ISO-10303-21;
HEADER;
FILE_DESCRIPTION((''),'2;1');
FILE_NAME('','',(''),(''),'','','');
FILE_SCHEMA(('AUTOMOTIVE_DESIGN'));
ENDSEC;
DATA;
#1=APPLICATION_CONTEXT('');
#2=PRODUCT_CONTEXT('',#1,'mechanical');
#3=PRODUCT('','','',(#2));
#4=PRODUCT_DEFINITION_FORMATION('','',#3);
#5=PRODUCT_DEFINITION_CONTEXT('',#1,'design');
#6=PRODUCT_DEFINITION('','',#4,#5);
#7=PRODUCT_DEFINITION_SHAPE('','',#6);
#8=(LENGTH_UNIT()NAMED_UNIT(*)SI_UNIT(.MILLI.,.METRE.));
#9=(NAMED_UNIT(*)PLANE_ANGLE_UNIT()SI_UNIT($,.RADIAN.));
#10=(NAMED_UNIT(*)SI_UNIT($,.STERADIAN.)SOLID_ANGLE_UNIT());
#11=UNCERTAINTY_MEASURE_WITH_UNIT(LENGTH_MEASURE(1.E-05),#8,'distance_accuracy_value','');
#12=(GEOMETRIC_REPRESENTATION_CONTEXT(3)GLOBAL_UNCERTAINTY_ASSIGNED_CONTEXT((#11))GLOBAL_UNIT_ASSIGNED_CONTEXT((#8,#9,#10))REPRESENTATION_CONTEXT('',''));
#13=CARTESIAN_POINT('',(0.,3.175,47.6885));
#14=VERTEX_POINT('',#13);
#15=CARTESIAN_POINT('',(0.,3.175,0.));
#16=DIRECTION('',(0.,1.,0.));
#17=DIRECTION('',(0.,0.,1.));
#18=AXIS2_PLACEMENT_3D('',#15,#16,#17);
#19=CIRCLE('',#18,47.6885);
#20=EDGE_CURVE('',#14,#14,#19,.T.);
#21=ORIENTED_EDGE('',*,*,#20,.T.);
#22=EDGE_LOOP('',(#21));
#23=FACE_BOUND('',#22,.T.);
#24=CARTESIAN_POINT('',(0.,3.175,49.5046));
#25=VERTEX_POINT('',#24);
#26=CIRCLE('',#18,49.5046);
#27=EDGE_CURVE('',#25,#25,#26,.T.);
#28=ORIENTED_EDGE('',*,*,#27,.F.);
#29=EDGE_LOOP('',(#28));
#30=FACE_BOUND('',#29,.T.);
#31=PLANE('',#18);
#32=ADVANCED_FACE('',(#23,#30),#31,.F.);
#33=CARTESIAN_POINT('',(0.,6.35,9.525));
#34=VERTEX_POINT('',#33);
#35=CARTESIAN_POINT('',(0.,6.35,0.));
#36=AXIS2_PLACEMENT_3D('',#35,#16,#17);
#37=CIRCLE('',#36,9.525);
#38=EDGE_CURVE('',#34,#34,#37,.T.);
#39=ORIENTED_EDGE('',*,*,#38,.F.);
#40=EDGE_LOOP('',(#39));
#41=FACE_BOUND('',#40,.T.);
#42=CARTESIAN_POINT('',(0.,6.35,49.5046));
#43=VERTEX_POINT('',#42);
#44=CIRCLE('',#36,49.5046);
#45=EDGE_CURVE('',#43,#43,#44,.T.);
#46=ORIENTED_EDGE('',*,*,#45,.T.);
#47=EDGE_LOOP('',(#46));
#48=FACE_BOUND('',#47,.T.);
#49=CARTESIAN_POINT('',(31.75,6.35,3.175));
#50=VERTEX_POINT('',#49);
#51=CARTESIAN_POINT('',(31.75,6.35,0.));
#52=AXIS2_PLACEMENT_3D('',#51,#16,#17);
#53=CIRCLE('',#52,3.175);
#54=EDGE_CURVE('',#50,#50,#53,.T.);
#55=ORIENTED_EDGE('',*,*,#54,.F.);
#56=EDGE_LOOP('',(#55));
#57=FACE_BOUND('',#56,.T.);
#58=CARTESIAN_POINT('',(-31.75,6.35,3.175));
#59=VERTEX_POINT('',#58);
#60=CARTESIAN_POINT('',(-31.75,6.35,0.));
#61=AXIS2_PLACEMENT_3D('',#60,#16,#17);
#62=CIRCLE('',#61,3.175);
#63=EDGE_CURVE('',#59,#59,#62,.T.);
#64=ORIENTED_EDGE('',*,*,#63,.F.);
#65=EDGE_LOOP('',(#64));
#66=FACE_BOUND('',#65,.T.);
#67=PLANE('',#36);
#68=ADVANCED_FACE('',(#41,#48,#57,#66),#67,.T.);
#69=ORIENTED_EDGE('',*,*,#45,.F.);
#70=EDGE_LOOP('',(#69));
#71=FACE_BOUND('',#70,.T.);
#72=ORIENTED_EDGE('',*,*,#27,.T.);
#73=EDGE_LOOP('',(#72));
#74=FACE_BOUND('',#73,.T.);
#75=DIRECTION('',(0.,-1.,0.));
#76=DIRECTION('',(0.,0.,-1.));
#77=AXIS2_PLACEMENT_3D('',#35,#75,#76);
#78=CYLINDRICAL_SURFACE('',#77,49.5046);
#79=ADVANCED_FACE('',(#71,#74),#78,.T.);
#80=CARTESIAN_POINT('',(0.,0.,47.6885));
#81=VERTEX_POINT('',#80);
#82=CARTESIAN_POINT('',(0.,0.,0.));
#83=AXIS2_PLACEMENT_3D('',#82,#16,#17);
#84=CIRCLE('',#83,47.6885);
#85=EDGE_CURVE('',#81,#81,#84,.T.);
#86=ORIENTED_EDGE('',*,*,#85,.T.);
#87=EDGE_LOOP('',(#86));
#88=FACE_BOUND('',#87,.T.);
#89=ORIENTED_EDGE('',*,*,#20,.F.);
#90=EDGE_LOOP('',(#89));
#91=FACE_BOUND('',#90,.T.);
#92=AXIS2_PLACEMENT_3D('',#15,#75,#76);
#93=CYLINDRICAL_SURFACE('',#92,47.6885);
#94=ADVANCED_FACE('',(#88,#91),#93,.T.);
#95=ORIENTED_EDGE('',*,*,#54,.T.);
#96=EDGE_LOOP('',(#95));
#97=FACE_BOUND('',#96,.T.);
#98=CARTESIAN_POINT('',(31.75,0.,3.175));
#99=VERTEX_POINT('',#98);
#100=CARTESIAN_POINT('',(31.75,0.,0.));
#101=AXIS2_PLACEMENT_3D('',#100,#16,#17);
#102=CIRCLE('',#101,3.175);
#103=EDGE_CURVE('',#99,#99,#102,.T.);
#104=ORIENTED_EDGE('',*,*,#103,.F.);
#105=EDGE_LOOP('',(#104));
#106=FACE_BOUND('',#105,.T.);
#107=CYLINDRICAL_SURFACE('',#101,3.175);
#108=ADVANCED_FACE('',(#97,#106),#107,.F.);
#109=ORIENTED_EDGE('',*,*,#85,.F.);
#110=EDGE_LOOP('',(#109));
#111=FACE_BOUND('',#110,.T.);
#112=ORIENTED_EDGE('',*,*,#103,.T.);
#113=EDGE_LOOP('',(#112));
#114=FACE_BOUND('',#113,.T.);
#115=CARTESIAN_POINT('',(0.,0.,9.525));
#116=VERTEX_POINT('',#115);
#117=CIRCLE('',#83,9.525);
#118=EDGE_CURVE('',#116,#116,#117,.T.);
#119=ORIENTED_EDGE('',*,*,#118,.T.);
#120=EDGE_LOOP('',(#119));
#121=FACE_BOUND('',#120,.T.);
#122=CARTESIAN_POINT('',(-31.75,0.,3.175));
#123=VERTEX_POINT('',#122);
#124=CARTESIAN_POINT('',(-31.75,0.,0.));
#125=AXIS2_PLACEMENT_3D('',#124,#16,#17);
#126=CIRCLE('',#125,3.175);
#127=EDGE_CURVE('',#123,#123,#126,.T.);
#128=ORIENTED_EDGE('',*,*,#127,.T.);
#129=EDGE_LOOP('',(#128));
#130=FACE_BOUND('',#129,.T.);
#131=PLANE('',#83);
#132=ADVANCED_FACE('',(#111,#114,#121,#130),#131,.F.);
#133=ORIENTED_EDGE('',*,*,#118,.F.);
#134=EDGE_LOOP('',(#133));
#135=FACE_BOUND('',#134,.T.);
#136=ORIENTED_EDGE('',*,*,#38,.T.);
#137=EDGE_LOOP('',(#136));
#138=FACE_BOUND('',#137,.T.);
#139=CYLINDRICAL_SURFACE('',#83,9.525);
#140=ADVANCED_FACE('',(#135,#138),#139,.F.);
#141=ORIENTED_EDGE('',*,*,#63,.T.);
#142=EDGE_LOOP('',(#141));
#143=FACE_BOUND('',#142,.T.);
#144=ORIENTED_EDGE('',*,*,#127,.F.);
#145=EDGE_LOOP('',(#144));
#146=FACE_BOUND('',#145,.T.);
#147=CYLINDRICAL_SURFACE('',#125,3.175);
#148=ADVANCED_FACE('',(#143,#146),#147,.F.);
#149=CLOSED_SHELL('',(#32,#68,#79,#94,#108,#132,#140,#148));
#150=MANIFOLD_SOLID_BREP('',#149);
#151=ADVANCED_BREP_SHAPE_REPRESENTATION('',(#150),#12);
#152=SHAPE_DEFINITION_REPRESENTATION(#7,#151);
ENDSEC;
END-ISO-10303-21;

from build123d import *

# Parameters (mm, degrees)
SKETCH1_R           = 47.6885
BOSS_EXTRUDE1_DEPTH = 3.175
SKETCH2_R           = 49.5046
BOSS_EXTRUDE2_DEPTH = 3.175
SKETCH3_R           = 3.175
SKETCH3_R_2         = 9.525
CUT_EXTRUDE1_DEPTH  = 7.35


with BuildPart() as part:
    # Sketch1 → Boss-Extrude1 (new body)
    with BuildSketch(Plane(origin=(0, 0, 0), x_dir=(1, 0, 0), z_dir=(0, 1, 0))):
        Circle(SKETCH1_R)
    extrude(amount=BOSS_EXTRUDE1_DEPTH)

    # Sketch2 → Boss-Extrude2 (add)
    with BuildSketch(Plane(origin=(0, 3.175, 0), x_dir=(1, 0, 0), z_dir=(0, 1, 0))):
        Circle(SKETCH2_R)
    extrude(amount=BOSS_EXTRUDE2_DEPTH)

    # Sketch3 → Cut-Extrude1 (cut, through all)
    with BuildSketch(Plane(origin=(0, 6.35, 0), x_dir=(1, 0, 0), z_dir=(0, 1, 0))):
        with Locations((-31.75, 0)):
            Circle(SKETCH3_R)
        with Locations((31.75, 0)):
            Circle(SKETCH3_R)
        Circle(SKETCH3_R_2)
    extrude(amount=-CUT_EXTRUDE1_DEPTH, mode=Mode.SUBTRACT)


solid = part.part
